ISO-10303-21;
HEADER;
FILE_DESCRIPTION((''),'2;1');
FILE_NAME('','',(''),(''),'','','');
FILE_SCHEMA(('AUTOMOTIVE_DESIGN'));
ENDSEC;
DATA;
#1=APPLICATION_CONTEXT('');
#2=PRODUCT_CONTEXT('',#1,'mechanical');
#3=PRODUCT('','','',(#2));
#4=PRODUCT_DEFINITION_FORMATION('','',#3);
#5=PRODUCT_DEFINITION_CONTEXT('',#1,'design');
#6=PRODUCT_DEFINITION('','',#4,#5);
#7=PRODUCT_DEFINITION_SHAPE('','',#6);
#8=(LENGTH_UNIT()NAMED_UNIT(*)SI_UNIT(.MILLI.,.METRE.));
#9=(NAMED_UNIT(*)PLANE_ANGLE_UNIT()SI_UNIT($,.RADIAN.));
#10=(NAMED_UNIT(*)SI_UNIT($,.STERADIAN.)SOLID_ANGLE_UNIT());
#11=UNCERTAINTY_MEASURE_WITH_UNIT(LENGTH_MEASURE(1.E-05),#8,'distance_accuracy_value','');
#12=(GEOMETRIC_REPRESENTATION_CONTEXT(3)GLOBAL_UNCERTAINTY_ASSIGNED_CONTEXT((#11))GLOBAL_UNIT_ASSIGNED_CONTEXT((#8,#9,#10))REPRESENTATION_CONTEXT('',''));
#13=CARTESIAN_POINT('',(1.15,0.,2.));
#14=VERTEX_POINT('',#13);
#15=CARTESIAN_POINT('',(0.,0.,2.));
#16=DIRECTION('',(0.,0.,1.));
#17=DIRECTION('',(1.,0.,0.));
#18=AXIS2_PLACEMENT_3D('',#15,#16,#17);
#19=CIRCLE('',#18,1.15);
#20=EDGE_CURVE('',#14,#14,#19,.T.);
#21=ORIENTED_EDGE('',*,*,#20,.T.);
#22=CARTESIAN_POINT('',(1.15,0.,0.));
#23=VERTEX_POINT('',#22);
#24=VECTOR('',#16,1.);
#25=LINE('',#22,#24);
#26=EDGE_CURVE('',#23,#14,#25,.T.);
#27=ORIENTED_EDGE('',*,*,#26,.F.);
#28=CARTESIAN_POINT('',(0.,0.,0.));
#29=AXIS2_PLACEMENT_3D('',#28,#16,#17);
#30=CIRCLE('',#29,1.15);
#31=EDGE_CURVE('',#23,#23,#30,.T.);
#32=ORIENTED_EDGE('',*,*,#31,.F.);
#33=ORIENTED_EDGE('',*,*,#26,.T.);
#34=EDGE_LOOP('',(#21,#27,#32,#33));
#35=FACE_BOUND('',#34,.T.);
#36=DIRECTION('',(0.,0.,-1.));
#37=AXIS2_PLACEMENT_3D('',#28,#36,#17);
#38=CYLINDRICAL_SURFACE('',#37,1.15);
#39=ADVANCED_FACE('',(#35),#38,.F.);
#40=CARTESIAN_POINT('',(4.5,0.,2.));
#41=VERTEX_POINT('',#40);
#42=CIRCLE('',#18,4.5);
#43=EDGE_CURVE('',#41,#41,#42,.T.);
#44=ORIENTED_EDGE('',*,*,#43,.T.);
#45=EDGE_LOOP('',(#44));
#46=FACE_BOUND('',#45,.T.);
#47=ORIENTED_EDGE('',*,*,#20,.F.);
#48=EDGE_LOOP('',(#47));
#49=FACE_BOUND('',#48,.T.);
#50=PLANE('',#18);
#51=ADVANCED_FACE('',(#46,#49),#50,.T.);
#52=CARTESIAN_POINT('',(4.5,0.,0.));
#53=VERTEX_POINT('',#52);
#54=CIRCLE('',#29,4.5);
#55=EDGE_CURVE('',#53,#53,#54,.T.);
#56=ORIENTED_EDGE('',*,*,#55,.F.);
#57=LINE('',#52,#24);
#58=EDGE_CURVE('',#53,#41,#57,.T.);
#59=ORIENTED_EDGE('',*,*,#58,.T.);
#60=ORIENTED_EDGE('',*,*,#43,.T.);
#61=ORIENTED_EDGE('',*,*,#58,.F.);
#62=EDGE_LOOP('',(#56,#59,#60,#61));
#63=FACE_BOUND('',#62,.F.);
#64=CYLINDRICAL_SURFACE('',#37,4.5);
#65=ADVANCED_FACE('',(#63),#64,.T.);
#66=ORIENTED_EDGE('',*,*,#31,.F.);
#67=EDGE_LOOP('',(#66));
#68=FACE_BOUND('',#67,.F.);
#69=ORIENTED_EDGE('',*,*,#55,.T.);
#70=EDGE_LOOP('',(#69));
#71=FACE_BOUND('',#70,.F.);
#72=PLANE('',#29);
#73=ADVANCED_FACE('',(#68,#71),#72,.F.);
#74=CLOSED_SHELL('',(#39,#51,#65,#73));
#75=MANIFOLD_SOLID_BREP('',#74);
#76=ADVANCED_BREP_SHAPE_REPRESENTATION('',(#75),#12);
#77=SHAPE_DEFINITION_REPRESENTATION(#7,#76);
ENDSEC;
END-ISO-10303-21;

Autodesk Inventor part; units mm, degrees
ref_plane "YZ Plane" through (0, 0, 0) normal (1, 0, 0) x (0, 1, 0)
ref_plane "XZ Plane" through (0, 0, 0) normal (0, 1, 0) x (-1, 0, 0)
ref_plane "XY Plane" through (0, 0, 0) normal (0, 0, 1) x (1, 0, 0)
sketch "Sketch1" plane through (0, 0, 0) normal (0, 0, 1) x (1, 0, 0)
  circle A0 centre (0, 0) radius 4.5
  circle A1 centre (0, 0) radius 1.15
  dimension "d0" = 9
  dimension "d1" = 2.3
extrude "Extrusion1" add sketch "Sketch1" along normal blind 2
properties part number "Spacer_Leg"
